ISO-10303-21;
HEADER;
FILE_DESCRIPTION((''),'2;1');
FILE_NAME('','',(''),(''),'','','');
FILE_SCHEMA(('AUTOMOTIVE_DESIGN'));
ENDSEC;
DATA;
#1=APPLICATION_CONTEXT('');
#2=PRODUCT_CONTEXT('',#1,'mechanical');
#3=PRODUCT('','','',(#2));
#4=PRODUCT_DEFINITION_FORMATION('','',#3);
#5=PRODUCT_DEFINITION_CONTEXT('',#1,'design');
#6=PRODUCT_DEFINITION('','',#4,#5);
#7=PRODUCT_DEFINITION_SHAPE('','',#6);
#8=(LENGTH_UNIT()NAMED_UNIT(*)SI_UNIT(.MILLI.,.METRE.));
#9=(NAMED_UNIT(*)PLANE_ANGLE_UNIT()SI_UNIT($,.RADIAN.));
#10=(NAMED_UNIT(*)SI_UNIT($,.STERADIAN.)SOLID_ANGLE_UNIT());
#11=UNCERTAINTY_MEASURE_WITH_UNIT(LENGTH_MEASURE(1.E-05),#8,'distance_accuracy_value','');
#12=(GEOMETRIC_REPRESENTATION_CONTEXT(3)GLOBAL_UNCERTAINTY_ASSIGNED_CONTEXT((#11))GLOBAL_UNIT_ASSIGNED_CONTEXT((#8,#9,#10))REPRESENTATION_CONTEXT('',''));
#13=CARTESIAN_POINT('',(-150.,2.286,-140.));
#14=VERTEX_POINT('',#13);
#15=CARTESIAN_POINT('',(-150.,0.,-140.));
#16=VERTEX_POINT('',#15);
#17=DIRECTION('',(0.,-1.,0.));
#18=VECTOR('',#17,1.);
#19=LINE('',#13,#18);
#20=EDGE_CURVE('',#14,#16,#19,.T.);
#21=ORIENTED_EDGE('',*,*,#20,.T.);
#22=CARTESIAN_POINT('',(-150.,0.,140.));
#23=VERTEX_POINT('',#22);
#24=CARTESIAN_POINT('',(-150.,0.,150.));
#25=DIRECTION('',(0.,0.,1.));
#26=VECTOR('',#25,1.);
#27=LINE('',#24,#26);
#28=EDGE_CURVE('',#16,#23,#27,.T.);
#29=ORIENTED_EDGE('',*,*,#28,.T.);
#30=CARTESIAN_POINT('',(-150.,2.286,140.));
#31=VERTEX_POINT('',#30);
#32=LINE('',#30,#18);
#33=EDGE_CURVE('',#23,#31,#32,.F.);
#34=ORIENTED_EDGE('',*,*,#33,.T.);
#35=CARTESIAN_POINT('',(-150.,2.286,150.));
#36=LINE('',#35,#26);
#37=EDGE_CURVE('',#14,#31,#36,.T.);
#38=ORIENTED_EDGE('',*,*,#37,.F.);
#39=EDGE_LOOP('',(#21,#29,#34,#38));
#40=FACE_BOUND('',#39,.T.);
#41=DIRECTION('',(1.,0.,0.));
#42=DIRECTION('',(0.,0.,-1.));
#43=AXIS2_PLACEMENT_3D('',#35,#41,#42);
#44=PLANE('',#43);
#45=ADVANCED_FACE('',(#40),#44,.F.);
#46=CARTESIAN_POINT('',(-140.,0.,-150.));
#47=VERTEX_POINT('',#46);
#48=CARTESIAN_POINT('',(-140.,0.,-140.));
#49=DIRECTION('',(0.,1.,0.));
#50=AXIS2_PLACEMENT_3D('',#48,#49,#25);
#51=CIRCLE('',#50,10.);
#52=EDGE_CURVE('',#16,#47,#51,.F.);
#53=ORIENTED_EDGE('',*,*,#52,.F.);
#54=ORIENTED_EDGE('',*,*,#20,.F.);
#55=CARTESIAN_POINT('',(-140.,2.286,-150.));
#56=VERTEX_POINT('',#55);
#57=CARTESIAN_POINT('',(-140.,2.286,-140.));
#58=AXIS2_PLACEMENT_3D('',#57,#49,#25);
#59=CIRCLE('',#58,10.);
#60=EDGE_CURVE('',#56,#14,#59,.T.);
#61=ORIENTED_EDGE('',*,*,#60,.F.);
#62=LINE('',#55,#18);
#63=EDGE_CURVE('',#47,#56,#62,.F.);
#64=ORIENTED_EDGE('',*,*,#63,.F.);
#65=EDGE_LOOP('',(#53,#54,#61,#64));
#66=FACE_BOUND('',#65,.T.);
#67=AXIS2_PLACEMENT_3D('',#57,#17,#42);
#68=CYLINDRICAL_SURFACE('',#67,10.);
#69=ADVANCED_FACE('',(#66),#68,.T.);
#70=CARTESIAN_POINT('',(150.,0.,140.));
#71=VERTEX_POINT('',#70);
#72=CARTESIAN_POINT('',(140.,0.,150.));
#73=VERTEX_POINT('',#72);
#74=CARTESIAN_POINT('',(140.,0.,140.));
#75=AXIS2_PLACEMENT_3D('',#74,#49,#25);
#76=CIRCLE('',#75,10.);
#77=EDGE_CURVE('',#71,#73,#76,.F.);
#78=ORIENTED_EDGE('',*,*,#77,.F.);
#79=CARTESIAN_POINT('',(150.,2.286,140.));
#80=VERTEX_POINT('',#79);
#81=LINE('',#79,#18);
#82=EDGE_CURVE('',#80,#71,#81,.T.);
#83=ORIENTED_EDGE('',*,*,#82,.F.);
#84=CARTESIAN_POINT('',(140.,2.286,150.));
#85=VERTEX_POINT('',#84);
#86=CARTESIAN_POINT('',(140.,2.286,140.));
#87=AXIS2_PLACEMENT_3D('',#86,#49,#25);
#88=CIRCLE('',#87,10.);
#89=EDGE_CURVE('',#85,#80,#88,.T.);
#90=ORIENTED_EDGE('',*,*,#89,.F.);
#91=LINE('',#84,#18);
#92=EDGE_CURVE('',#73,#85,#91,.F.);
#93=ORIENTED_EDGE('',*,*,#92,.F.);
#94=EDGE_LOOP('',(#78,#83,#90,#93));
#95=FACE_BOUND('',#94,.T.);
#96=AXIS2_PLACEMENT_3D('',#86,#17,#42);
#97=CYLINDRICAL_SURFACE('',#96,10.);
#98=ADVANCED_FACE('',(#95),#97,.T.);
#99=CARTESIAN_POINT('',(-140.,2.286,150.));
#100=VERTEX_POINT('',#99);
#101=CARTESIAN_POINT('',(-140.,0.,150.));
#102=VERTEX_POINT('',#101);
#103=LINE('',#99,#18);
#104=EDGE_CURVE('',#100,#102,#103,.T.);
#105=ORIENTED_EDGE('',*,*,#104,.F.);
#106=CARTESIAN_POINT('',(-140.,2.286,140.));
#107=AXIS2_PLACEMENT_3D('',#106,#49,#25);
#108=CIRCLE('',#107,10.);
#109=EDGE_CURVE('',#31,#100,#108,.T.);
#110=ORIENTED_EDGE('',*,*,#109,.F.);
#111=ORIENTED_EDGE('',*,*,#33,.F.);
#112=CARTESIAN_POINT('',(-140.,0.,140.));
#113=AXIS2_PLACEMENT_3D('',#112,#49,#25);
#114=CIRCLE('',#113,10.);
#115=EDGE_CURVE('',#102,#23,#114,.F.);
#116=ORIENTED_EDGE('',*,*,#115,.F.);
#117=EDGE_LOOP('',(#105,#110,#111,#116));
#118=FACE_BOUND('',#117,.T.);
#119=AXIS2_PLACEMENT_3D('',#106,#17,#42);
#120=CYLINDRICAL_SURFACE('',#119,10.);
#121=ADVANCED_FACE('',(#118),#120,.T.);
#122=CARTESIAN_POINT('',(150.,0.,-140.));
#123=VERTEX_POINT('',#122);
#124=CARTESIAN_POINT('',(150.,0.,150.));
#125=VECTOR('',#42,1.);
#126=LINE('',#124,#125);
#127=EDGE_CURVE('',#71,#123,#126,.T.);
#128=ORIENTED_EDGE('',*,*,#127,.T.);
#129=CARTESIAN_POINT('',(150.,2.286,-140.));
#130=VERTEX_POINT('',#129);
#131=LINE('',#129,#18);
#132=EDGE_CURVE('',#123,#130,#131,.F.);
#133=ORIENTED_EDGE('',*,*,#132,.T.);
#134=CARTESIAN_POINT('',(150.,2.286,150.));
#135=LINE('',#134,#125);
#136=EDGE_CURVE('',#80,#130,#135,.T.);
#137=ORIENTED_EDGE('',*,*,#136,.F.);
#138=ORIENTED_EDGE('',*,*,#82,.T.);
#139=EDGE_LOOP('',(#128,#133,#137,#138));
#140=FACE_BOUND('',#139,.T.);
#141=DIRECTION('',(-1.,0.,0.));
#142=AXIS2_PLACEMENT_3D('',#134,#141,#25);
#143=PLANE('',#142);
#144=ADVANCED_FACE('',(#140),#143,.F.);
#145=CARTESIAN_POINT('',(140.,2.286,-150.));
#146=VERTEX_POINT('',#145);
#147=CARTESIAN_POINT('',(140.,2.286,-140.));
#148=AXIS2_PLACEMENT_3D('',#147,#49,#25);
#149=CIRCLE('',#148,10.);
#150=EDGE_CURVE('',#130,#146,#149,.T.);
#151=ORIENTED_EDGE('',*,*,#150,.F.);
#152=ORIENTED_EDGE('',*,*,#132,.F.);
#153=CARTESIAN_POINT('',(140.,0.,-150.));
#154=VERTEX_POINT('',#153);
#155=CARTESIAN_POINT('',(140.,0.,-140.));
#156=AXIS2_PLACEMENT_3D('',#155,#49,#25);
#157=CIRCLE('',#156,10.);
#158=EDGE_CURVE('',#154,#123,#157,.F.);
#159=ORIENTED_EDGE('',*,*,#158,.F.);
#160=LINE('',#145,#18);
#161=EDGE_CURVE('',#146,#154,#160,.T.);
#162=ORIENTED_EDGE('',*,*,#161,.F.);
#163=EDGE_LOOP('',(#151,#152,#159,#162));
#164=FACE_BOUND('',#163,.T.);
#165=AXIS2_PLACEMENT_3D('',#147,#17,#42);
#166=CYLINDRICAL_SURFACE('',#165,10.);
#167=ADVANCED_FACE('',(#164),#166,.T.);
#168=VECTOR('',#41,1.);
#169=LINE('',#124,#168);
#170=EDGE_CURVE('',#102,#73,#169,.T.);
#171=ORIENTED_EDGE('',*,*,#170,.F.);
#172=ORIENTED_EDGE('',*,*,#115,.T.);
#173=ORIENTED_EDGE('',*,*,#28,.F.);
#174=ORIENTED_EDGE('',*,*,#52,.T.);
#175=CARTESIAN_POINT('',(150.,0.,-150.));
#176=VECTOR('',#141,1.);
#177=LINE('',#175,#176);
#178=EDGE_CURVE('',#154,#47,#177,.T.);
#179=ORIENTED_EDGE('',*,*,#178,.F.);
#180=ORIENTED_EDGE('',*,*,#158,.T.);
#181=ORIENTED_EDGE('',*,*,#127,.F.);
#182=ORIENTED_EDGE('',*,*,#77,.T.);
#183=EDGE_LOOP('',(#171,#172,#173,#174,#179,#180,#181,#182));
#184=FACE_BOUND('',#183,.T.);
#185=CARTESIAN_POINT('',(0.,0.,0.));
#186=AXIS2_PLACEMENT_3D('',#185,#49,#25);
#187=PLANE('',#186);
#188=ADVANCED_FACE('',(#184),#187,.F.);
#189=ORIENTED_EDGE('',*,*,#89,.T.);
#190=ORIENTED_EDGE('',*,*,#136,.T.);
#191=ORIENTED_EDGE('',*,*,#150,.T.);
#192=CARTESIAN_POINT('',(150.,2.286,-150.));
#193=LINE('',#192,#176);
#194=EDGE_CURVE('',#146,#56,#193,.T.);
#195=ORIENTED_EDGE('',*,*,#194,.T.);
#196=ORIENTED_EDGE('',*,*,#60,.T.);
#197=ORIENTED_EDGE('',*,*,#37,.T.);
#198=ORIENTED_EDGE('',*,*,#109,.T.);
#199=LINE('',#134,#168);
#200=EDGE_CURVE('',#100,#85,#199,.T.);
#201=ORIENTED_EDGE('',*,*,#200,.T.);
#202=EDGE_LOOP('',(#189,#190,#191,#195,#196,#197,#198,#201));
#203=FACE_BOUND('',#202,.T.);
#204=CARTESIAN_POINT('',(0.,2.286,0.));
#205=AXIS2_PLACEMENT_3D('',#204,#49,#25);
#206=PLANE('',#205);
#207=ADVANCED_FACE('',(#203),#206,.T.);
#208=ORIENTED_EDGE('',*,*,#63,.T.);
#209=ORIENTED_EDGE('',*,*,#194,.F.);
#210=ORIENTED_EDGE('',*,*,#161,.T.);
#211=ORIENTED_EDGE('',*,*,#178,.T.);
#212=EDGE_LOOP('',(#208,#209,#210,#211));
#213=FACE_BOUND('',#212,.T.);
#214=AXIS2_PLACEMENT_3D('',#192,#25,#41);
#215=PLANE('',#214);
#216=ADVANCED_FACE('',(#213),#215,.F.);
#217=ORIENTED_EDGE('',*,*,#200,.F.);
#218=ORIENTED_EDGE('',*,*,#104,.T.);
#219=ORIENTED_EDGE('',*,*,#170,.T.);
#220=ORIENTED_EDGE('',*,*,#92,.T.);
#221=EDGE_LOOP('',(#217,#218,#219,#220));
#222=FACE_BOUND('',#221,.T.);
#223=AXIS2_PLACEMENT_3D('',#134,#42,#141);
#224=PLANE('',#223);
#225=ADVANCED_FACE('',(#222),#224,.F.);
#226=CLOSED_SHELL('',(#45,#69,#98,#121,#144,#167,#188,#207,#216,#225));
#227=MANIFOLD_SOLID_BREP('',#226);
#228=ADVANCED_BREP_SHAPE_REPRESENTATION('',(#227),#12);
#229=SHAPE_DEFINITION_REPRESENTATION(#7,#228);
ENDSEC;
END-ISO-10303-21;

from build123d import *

# Parameters (mm, degrees)
SKETCH1_W           = 300
SKETCH1_H           = 300
BOSS_EXTRUDE1_DEPTH = 2.286
FILLET1_R           = 10


with BuildPart() as part:
    # Sketch1 → Boss-Extrude1 (new body)
    with BuildSketch(Plane(origin=(0, 0, 0), x_dir=(1, 0, 0), z_dir=(0, 1, 0))):
        Rectangle(SKETCH1_W, SKETCH1_H)
    extrude(amount=BOSS_EXTRUDE1_DEPTH)

    # Fillet1
    fillet1_edges = [part.edges().sort_by_distance(p)[0] for p in [
        (-150, 1.143, -150),
        (150, 1.143, -150),
        (150, 1.143, 150),
        (-150, 1.143, 150),
    ]]
    fillet(fillet1_edges, radius=FILLET1_R)


solid = part.part
